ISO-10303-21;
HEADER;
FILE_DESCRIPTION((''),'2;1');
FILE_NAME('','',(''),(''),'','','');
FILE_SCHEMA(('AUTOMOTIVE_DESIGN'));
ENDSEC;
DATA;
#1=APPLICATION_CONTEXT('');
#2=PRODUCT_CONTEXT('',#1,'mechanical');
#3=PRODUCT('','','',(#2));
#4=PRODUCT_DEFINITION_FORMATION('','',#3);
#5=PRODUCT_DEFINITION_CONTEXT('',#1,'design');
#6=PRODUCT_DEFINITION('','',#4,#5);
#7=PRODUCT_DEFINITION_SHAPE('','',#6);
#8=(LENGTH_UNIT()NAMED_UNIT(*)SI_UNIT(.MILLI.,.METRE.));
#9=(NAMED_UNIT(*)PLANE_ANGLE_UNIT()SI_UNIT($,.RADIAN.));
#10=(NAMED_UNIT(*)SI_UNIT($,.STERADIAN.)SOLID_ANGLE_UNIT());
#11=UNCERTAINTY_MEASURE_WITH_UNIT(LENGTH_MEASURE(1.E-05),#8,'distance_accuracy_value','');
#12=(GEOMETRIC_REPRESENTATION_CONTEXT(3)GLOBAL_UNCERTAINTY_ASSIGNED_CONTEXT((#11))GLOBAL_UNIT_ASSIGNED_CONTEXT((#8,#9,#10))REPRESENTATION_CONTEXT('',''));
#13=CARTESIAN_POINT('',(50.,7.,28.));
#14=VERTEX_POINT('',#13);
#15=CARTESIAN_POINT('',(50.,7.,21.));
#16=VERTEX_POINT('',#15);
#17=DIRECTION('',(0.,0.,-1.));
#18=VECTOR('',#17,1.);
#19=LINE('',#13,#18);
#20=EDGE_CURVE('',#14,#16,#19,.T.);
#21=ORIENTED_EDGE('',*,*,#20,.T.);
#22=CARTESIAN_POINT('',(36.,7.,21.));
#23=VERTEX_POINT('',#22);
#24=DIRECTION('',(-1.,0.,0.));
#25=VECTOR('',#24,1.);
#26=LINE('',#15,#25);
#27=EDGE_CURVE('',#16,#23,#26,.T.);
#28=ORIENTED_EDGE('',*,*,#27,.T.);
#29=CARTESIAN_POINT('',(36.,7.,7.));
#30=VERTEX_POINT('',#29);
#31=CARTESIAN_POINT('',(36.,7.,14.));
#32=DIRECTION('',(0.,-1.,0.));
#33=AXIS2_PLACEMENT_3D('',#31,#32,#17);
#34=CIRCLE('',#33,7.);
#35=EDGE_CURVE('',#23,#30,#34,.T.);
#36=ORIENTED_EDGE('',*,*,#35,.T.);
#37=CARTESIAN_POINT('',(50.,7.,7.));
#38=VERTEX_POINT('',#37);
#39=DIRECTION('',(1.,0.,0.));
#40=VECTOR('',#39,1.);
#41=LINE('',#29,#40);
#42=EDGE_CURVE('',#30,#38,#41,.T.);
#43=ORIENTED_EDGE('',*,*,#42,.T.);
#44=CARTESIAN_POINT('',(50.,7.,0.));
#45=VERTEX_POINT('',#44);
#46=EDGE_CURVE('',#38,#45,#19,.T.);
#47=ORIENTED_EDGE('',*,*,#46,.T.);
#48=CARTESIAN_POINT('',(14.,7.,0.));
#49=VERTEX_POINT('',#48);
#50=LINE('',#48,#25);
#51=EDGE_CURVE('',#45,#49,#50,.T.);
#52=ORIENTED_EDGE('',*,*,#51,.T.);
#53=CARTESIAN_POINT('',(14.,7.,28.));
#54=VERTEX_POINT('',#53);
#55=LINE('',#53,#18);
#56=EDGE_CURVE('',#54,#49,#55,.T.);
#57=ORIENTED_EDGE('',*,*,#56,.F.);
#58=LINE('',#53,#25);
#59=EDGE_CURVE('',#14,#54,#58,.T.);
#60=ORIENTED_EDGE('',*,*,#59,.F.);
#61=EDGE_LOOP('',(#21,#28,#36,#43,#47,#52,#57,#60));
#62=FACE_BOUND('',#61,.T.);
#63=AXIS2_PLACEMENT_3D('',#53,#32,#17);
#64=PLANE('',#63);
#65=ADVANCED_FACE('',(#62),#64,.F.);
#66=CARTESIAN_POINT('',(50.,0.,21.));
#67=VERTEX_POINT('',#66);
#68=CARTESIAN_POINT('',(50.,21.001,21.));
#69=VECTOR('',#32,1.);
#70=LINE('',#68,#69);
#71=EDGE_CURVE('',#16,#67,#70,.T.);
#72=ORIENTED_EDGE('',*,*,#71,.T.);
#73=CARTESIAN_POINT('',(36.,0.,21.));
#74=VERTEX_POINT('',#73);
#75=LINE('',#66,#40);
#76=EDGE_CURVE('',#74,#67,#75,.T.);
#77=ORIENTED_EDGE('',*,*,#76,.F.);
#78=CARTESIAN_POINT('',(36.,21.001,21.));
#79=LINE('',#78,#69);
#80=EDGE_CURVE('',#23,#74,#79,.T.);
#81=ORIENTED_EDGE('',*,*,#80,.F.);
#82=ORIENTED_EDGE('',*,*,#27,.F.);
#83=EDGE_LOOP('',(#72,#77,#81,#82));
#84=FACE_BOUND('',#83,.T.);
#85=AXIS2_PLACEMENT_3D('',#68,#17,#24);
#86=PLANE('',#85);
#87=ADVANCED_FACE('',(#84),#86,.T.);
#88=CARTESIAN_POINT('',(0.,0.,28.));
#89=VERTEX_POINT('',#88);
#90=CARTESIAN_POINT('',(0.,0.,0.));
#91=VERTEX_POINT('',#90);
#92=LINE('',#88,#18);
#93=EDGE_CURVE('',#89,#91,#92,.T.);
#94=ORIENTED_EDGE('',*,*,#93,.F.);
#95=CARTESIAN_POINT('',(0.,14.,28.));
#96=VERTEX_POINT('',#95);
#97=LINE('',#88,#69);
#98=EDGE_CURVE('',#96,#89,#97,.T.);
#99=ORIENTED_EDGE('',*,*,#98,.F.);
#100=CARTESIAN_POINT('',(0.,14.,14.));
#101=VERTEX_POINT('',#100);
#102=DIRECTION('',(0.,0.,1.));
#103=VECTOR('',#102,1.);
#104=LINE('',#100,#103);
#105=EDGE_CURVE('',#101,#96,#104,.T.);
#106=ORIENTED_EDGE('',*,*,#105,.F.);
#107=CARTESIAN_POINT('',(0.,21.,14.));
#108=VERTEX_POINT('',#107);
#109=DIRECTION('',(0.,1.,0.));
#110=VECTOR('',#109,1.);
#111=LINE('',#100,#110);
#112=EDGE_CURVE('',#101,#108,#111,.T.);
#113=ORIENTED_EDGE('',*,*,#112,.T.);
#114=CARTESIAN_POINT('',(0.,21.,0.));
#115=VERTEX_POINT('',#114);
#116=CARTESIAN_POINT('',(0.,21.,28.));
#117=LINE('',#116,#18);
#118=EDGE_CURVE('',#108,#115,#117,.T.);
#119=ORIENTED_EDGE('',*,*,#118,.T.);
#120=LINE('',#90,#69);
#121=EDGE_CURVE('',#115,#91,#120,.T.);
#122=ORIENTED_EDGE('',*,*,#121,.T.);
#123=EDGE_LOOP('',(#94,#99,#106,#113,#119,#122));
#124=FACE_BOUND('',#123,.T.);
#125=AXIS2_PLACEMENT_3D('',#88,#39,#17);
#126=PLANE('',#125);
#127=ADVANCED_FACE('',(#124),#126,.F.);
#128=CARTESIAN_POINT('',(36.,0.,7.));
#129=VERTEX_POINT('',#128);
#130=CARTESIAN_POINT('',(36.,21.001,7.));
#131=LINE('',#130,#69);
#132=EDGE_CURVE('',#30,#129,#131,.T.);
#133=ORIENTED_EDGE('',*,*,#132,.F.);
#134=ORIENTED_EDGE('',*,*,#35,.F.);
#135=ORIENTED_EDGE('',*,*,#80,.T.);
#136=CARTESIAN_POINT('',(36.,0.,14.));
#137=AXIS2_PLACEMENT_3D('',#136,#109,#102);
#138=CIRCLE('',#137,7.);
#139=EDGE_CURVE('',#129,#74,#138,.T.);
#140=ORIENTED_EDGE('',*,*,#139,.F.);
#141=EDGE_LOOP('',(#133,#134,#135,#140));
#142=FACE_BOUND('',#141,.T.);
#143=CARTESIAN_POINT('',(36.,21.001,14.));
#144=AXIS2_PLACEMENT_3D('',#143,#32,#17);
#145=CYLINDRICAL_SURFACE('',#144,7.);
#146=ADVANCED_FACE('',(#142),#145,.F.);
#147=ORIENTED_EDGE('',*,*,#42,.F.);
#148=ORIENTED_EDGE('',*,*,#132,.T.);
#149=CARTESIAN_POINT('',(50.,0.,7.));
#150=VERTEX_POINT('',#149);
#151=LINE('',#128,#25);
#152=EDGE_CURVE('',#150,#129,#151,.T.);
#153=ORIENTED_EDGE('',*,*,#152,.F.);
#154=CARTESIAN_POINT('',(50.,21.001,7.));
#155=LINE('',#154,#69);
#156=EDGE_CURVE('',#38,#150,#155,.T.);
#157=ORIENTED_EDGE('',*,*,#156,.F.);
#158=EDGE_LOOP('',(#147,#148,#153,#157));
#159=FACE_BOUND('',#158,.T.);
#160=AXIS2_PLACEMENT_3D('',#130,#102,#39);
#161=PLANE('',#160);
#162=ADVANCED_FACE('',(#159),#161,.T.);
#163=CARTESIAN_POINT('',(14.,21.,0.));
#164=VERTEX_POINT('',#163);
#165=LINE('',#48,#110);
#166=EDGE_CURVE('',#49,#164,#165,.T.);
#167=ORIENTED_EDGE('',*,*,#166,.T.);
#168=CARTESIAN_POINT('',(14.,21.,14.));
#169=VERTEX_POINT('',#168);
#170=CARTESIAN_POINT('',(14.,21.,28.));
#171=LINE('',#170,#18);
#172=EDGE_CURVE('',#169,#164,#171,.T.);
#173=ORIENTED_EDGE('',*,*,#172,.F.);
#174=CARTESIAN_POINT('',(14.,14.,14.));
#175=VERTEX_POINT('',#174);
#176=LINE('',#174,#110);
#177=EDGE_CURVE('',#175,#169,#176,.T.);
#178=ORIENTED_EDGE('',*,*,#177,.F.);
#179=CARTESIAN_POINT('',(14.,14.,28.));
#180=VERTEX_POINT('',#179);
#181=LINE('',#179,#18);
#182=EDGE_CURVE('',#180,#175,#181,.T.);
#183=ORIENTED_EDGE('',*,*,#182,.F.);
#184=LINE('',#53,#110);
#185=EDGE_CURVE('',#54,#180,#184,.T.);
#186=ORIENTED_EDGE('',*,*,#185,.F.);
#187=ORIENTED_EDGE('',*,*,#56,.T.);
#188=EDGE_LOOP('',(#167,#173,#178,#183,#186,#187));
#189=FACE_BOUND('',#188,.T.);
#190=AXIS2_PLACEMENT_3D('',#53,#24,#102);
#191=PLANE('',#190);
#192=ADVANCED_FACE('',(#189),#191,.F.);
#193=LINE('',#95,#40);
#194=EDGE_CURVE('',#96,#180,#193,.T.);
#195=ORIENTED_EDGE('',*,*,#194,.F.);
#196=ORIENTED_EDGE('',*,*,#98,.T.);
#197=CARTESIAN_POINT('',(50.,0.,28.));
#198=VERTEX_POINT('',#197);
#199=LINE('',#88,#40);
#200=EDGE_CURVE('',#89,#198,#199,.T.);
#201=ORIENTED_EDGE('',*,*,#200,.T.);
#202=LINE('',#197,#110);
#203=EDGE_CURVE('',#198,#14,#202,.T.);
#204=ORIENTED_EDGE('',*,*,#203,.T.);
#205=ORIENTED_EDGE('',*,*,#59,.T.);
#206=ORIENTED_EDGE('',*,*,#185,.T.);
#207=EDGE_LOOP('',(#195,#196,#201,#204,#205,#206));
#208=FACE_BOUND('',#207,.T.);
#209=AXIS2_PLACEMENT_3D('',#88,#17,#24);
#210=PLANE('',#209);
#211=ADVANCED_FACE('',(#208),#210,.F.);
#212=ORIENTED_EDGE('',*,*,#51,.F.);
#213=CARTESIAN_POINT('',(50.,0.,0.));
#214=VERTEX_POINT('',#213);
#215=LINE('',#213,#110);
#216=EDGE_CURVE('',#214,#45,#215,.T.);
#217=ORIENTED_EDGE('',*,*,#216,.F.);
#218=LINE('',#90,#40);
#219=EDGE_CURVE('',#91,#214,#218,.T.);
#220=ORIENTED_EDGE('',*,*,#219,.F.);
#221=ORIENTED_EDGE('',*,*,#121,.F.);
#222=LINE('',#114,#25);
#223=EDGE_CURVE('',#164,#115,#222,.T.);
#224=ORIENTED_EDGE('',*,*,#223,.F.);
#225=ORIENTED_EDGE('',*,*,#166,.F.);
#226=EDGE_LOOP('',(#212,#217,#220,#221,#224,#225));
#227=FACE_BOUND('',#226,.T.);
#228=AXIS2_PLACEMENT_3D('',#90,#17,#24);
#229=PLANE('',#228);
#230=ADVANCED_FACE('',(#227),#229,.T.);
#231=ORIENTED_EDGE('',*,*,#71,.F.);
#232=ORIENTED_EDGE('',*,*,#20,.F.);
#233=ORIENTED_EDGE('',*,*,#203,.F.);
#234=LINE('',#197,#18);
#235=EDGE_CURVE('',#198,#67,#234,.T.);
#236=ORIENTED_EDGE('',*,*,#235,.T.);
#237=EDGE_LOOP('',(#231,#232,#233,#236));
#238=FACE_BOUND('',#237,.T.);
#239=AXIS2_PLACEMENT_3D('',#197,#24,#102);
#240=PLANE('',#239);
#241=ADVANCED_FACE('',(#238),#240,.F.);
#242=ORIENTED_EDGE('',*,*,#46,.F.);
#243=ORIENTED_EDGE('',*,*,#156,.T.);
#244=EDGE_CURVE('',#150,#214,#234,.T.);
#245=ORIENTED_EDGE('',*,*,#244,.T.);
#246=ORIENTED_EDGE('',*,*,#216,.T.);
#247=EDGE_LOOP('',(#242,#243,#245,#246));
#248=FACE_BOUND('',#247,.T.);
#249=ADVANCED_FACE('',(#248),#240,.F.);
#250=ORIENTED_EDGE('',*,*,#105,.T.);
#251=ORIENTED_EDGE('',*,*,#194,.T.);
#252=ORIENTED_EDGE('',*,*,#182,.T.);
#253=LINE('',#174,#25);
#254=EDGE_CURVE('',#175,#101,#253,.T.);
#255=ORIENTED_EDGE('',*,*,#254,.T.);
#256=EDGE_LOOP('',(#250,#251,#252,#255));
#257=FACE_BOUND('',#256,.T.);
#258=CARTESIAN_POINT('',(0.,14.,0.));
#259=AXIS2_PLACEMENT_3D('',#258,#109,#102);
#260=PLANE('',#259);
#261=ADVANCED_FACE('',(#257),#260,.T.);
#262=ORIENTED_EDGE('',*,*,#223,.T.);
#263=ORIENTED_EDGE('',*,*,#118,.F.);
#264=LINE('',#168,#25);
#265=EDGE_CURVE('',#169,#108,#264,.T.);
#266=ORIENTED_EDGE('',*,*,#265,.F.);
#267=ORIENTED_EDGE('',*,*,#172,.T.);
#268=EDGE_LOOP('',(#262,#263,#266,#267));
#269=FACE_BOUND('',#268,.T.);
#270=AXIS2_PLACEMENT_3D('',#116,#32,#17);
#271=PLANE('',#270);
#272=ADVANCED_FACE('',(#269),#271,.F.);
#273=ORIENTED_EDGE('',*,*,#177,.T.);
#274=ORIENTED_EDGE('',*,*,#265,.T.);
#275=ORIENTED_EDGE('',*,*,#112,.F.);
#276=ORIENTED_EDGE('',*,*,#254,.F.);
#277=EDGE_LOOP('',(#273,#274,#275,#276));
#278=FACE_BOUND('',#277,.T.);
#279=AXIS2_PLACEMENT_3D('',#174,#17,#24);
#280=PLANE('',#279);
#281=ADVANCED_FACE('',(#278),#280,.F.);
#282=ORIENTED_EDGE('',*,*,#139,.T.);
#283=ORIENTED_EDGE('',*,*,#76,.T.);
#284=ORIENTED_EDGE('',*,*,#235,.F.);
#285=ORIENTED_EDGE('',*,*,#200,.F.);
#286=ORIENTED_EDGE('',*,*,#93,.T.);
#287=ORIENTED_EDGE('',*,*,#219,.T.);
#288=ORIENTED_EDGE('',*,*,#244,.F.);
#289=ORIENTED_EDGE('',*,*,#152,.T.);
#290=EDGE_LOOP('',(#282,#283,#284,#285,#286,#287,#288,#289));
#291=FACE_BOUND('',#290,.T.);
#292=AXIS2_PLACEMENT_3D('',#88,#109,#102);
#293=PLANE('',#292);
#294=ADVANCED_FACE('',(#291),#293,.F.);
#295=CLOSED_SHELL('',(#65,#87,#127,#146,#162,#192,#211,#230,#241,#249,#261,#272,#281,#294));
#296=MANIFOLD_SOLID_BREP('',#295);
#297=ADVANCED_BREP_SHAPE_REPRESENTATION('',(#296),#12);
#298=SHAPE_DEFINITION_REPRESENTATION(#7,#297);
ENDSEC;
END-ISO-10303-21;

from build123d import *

# Parameters (mm, degrees)
EXTRUDE_1_DEPTH     = 28
SKETCH_2_W          = 14
SKETCH_2_H          = 14
CUT_EXTRUDE_1_DEPTH = 7
CUT_EXTRUDE_2_REACH = 23


with BuildPart() as part:
    # 스케치1 → 보스-돌출1 (new body)
    with BuildSketch(Plane.XY):
        Polygon((14, 7), (14, 21), (0, 21), (0, 0), (50, 0), (50, 7), align=None)
    extrude(amount=EXTRUDE_1_DEPTH)

    # 스케치2 → 컷-돌출1 (cut)
    with BuildSketch(Plane(origin=(0, 21, 0), x_dir=(1, 0, 0), z_dir=(0, 1, 0))):
        with Locations((7, -21)):
            Rectangle(SKETCH_2_W, SKETCH_2_H)
    extrude(amount=-CUT_EXTRUDE_1_DEPTH, mode=Mode.SUBTRACT)

    # 스케치3 → 컷-돌출2 (cut, up to next)
    with BuildSketch(Plane(origin=(0, 0, 0), x_dir=(1, 0, 0), z_dir=(0, 1, 0)), mode=Mode.PRIVATE) as cut_extrude_2_sk1:
        with BuildLine():
            Line((36, -7), (50, -7))
            Line((50, -7), (50, -21))
            Line((50, -21), (36, -21))
            ThreePointArc((36, -21), (29, -14), (36, -7))
        make_face()
    cut_extrude_2_tool1 = extrude(cut_extrude_2_sk1.sketch, amount=CUT_EXTRUDE_2_REACH, mode=Mode.PRIVATE) & part.part
    add(cut_extrude_2_tool1.solids().sort_by_distance((40.188509, 0, 14))[0], mode=Mode.SUBTRACT)


solid = part.part
